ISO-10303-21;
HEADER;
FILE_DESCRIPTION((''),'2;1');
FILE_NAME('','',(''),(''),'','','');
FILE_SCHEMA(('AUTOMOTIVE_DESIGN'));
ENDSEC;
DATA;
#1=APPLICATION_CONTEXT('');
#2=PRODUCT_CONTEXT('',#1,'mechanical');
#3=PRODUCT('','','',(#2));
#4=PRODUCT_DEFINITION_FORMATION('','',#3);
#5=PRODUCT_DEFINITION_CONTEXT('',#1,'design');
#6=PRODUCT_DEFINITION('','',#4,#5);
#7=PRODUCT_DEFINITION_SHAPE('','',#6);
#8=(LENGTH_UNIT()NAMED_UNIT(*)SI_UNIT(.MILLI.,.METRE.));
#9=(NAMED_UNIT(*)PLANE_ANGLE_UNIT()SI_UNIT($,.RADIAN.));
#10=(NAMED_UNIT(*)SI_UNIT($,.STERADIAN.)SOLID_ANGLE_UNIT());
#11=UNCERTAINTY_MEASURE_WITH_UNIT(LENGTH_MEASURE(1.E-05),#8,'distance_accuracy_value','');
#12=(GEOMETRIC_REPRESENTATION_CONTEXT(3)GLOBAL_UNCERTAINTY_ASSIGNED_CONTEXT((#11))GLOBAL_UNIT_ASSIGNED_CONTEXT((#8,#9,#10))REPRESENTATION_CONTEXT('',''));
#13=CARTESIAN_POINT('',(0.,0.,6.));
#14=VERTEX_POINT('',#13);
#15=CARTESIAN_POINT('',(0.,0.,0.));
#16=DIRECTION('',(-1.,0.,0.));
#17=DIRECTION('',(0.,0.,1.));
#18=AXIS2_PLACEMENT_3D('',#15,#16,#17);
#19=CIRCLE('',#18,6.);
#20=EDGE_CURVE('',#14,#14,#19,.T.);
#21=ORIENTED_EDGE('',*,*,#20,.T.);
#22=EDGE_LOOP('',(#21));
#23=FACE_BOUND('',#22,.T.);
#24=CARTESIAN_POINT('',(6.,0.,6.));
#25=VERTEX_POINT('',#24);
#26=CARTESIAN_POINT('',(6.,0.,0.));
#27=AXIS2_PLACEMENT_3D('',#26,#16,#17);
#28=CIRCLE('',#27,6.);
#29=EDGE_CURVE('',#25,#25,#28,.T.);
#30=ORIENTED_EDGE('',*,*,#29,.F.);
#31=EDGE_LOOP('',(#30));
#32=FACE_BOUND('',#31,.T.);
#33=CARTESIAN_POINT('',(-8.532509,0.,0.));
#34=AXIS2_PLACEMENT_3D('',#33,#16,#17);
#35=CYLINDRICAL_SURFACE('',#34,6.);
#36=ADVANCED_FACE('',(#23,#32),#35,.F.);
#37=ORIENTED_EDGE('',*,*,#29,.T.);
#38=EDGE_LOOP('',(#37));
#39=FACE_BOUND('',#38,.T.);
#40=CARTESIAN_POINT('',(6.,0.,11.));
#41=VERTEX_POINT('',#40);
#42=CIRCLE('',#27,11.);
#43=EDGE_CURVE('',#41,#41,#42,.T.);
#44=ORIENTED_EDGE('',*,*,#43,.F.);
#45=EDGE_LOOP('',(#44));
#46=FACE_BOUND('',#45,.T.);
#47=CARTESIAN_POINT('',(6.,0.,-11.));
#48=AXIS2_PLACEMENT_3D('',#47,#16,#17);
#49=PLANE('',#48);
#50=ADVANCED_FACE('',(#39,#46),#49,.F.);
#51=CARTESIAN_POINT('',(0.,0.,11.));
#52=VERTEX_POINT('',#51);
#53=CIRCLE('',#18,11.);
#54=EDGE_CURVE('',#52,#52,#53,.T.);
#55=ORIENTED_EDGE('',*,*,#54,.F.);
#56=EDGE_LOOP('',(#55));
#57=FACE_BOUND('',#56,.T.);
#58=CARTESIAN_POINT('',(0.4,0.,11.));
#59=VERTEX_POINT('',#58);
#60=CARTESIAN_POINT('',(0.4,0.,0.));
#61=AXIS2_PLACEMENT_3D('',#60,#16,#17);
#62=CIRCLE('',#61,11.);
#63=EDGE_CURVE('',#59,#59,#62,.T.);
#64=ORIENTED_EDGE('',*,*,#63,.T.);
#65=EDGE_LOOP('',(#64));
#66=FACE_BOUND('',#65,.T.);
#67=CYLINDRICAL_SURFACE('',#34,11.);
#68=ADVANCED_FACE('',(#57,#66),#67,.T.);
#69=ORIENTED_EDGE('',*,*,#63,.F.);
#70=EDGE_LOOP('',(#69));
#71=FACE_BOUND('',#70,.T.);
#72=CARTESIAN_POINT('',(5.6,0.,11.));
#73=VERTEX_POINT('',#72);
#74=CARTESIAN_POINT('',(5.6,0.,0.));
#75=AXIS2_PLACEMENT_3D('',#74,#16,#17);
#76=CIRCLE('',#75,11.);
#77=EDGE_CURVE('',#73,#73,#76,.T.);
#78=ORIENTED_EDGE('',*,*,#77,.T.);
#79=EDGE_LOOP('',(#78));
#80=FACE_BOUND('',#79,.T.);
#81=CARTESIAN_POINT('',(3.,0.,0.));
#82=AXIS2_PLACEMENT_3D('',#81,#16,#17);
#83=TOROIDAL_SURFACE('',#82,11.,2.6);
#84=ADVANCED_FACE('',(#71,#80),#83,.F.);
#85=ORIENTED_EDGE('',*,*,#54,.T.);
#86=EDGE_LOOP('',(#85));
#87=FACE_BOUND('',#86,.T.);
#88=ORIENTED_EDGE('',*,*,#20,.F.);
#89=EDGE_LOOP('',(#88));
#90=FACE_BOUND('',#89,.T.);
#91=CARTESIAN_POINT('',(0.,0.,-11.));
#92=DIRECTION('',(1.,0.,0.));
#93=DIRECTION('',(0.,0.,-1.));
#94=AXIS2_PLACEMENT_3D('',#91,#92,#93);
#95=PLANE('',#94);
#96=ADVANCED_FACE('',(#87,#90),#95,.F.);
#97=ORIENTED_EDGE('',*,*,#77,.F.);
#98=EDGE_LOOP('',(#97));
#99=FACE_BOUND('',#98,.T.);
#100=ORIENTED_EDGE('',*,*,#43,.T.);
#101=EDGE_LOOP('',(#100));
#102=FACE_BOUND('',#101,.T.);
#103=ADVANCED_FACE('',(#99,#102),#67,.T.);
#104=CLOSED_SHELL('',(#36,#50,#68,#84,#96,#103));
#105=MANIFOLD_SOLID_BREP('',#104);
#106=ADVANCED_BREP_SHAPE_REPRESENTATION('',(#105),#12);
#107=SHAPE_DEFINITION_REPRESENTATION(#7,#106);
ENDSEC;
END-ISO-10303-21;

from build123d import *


with BuildPart() as part:
    # Sketch1 → Revolve1 (revolve)
    with BuildSketch(Plane(origin=(0, 0, 0), x_dir=(1, 0, 0), z_dir=(0, 1, 0))):
        with BuildLine():
            Line((0, 11), (0, 6))
            Line((0, 6), (6, 6))
            Line((6, 6), (6, 11))
            Line((6, 11), (5.6, 11))
            ThreePointArc((5.6, 11), (3, 8.4), (0.4, 11))
            Line((0.4, 11), (0, 11))
        make_face()
    revolve(axis=Axis((-8.532508904, 0, 0), (1, 0, 0)))


solid = part.part
